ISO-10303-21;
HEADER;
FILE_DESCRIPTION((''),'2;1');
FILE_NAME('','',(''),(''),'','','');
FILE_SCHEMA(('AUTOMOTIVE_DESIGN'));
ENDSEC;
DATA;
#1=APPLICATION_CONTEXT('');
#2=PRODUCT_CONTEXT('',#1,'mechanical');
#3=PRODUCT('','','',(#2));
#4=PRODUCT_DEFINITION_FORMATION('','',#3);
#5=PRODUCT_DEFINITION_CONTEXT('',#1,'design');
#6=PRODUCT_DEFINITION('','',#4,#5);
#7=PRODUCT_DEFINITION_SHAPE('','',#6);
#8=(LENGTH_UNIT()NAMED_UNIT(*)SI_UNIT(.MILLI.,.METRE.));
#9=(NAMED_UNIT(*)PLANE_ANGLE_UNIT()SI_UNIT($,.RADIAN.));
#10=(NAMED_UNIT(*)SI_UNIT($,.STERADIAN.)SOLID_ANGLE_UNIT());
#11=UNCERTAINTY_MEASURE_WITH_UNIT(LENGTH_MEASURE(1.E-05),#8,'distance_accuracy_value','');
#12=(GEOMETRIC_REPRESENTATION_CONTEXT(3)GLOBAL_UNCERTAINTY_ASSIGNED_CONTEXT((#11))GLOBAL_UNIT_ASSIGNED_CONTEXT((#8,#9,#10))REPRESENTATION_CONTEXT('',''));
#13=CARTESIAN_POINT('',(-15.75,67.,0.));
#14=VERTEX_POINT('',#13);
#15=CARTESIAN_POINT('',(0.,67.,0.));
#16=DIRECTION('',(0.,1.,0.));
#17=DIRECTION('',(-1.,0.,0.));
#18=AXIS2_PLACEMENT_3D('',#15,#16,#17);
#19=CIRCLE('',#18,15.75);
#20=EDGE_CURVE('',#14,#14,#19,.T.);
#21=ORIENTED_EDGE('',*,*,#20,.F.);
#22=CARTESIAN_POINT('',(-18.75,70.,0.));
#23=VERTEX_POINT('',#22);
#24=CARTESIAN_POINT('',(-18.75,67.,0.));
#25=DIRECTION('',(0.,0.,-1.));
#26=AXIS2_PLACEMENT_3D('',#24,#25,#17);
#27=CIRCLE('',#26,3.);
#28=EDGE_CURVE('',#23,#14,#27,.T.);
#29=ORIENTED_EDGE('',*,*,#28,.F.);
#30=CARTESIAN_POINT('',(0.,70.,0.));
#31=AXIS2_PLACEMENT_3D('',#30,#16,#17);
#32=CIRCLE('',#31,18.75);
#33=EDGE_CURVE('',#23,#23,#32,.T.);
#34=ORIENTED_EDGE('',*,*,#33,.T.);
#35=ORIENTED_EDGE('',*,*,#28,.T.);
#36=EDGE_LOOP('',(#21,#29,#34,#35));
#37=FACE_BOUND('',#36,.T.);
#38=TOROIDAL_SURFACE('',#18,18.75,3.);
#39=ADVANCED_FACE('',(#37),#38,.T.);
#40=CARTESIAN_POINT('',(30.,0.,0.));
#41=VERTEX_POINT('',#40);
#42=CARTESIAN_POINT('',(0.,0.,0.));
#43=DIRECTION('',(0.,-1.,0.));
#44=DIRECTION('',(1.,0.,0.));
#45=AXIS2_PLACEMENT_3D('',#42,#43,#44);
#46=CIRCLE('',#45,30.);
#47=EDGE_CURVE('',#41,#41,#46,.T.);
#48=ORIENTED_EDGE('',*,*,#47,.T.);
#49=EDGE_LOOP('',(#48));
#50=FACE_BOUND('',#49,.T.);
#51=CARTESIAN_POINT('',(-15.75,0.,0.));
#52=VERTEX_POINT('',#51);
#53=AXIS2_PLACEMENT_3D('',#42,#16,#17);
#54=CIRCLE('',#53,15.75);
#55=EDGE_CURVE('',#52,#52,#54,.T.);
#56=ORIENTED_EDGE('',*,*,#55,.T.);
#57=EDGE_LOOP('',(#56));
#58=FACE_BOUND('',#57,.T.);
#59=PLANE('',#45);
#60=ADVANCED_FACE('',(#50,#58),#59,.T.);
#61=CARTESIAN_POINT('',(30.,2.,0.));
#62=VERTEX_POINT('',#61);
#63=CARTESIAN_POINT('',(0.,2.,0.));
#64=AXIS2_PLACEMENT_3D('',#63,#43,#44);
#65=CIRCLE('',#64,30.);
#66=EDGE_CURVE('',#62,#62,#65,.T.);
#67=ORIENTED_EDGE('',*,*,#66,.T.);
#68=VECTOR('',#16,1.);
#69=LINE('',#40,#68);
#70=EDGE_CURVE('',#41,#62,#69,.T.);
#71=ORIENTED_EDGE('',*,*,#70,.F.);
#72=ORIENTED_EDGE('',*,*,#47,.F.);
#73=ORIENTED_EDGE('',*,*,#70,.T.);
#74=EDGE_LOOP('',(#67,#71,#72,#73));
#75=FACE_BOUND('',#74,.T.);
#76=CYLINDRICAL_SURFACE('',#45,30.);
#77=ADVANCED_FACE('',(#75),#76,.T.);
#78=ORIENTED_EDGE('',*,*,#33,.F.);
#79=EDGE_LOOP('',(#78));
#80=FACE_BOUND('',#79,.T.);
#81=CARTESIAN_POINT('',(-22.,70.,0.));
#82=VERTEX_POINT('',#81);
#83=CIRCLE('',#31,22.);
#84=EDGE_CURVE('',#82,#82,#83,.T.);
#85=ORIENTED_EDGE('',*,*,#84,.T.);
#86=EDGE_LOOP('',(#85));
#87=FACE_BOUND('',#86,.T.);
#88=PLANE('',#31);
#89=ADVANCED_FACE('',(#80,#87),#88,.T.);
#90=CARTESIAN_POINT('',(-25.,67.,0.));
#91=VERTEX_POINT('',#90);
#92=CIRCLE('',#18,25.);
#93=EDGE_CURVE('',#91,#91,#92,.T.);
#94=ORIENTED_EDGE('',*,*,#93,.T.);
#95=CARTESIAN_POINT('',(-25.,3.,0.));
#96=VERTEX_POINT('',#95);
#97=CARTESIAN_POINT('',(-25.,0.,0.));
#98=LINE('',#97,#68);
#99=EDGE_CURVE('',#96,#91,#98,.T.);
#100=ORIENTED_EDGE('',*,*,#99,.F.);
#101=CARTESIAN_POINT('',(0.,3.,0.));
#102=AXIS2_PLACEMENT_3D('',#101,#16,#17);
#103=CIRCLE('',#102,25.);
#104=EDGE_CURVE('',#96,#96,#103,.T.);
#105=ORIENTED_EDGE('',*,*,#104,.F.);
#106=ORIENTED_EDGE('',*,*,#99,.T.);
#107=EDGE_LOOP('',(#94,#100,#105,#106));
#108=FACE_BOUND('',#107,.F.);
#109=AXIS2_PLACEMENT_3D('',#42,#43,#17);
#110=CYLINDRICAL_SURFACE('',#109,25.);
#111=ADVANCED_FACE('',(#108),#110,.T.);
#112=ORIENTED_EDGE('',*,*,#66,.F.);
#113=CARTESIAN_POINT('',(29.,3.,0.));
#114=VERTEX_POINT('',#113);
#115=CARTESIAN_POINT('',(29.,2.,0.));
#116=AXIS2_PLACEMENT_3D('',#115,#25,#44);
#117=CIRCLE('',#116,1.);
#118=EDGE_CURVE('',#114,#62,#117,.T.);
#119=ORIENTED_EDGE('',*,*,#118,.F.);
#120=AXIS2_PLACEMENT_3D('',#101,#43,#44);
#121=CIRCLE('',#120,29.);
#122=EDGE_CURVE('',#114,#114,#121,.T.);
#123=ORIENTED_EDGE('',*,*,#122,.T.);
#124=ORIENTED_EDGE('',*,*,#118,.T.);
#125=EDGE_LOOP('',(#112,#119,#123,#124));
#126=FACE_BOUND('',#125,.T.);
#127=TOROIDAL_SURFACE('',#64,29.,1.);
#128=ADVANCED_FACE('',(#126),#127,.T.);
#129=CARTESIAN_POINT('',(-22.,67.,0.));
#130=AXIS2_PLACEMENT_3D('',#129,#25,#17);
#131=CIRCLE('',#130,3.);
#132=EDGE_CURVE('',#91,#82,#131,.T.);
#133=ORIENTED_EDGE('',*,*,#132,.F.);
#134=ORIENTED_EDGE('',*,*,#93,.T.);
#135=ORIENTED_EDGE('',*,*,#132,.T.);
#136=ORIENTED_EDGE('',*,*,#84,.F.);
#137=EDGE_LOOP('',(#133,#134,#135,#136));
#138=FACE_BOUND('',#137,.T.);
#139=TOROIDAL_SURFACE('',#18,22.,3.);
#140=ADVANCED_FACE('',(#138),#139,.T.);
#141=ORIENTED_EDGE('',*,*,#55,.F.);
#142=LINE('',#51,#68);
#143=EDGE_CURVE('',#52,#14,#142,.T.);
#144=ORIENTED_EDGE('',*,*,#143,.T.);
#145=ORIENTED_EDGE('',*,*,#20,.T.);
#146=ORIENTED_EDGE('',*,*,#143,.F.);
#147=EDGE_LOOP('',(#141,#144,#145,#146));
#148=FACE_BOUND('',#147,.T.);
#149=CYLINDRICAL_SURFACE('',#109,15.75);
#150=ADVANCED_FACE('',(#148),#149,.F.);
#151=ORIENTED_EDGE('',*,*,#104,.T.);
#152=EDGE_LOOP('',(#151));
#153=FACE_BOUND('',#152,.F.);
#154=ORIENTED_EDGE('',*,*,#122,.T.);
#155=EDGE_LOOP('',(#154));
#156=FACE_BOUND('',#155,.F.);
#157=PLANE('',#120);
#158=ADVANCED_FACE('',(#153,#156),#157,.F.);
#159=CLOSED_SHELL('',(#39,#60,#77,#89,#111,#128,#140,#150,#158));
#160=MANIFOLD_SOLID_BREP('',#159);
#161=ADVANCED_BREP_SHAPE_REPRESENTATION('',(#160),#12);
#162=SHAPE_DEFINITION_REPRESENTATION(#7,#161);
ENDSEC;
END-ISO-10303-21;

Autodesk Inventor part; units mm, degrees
ref_plane "YZ Plane" through (0, 0, 0) normal (1, 0, 0) x (0, 1, 0)
ref_plane "XZ Plane" through (0, 0, 0) normal (0, 1, 0) x (-1, 0, 0)
ref_plane "XY Plane" through (0, 0, 0) normal (0, 0, 1) x (1, 0, 0)
sketch "Sketch1" plane through (0, 0, 0) normal (0, 1, 0) x (-1, 0, 0)
  circle A0 centre (0, 0) radius 15.75
  circle A1 centre (0, 0) radius 25
  dimension "d0" = 31.5
  dimension "d1" = 50
extrude "Extrusion1" add sketch "Sketch1" along normal blind 70
sketch "Sketch2" plane through (0, 0, 0) normal (0, -1, 0) x (1, 0, 0)
  circle A0 centre (0, 0) radius 25 projected
  circle A1 centre (0, 0) radius 30
  dimension "d4" = 5
extrude "Extrusion2" add sketch "Sketch2" against normal blind 3
fillet "Fillet1" radius 1 1 edges at (-30, 3, 0)
fillet "Fillet2" radius 3 2 edges at (15.75, 70, 0) (25, 70, 0)
properties part number "Adaptador rollo 5cm"
